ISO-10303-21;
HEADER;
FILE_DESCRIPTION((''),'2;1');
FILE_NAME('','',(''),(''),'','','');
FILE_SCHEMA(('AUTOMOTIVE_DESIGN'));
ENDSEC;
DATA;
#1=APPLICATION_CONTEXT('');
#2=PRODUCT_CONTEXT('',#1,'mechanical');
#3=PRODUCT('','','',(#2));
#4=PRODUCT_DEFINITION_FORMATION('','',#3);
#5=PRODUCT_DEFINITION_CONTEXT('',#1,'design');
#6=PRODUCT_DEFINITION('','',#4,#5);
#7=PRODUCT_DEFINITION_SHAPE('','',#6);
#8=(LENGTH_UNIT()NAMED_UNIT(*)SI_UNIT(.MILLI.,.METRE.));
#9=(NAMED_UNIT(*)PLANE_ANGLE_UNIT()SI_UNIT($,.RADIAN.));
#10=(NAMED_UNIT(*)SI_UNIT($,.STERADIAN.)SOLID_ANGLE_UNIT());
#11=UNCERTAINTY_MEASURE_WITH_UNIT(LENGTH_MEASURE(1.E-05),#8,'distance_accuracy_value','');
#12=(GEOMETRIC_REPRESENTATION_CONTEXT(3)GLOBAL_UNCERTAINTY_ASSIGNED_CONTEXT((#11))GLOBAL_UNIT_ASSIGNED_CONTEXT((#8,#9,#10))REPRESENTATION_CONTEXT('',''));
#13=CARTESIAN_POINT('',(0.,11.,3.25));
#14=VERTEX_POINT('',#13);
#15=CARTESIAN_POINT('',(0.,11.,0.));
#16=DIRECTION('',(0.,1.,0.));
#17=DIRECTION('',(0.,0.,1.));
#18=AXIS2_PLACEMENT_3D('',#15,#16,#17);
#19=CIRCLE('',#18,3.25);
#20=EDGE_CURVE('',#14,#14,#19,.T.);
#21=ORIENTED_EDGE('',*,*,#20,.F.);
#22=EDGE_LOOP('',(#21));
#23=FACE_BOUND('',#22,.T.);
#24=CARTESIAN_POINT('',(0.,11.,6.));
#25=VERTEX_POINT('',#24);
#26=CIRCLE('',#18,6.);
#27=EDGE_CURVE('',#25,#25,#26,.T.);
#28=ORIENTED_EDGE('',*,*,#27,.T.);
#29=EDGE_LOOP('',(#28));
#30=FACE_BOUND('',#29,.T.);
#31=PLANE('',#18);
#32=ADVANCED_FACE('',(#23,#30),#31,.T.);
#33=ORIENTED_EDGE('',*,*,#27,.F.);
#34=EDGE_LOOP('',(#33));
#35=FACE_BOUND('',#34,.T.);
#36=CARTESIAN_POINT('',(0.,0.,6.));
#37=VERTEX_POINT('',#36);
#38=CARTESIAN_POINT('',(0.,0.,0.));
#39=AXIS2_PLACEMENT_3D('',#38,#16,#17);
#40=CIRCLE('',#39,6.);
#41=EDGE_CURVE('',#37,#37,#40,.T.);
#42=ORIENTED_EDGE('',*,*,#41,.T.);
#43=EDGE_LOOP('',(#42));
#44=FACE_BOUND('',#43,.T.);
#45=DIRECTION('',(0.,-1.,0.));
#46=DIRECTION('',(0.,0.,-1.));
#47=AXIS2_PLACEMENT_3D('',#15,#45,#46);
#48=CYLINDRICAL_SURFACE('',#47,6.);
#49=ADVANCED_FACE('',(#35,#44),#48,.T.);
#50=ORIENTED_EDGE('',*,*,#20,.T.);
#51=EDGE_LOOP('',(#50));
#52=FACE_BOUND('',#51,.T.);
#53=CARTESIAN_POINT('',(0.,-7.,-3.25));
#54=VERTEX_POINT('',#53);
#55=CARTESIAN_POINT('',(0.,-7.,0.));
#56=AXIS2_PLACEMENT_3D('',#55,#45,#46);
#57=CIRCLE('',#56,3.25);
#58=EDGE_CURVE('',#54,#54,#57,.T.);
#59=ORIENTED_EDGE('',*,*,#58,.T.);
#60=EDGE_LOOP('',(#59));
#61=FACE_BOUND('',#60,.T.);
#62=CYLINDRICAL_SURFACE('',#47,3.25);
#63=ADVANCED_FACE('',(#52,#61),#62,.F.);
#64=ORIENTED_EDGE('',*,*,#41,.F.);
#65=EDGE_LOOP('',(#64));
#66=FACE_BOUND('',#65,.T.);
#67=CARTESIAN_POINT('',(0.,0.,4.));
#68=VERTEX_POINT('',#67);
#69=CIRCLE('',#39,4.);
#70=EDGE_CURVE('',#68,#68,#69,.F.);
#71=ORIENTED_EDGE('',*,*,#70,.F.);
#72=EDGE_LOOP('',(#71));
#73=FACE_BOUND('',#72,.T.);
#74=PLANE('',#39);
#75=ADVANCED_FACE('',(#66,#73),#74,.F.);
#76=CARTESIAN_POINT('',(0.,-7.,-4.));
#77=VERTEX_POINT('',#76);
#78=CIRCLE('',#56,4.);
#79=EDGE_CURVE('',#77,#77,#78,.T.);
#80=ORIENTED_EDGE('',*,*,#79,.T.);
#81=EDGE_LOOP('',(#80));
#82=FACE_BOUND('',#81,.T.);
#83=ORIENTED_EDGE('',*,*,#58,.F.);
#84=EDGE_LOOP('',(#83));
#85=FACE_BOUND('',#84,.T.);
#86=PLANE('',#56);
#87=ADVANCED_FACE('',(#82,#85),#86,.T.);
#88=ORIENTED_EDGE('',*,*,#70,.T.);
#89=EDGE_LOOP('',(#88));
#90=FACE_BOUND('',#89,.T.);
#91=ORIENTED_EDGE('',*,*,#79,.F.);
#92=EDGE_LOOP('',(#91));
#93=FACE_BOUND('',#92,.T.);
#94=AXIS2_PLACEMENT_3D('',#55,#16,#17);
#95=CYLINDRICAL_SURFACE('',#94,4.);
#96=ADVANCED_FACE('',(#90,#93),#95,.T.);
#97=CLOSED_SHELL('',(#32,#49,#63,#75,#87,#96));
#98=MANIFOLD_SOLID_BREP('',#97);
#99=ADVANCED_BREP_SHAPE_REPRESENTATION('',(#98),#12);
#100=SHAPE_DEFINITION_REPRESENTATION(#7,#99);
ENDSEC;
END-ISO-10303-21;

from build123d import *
from build123d.topology import SkipClean

# Parameters (mm, degrees)
CROQUIS2_R              = 6
CROQUIS2_R_2            = 3.25
SALIENTE_EXTRUIR1_DEPTH = 11
SALIENTE_EXTRUIR2_START = 7
CROQUIS3_R              = 4
CROQUIS3_R_2            = 3.25
SALIENTE_EXTRUIR2_DEPTH = 7


with BuildPart() as part:
    # Croquis2 → Saliente-Extruir1 (new body)
    with BuildSketch(Plane(origin=(0, 0, 0), x_dir=(1, 0, 0), z_dir=(0, 1, 0))):
        with Locations(Location((0, 0, 0), (0, 0, 270))):
            Circle(CROQUIS2_R)
        with Locations(Location((0, 0, 0), (0, 0, 270))):
            Circle(CROQUIS2_R_2, mode=Mode.SUBTRACT)
    extrude(amount=SALIENTE_EXTRUIR1_DEPTH)

    # Croquis3 → Saliente-Extruir2 (add)
    with SkipClean():  # the faces are left unmerged after this step: merging them gives an invalid solid
        with BuildSketch(Plane.XZ.offset(SALIENTE_EXTRUIR2_START)):
            with Locations(Location((0, 0, 0), (0, 0, 90))):
                Circle(CROQUIS3_R)
            with Locations(Location((0, 0, 0), (0, 0, 270))):
                Circle(CROQUIS3_R_2, mode=Mode.SUBTRACT)
        extrude(amount=-SALIENTE_EXTRUIR2_DEPTH)


solid = part.part
